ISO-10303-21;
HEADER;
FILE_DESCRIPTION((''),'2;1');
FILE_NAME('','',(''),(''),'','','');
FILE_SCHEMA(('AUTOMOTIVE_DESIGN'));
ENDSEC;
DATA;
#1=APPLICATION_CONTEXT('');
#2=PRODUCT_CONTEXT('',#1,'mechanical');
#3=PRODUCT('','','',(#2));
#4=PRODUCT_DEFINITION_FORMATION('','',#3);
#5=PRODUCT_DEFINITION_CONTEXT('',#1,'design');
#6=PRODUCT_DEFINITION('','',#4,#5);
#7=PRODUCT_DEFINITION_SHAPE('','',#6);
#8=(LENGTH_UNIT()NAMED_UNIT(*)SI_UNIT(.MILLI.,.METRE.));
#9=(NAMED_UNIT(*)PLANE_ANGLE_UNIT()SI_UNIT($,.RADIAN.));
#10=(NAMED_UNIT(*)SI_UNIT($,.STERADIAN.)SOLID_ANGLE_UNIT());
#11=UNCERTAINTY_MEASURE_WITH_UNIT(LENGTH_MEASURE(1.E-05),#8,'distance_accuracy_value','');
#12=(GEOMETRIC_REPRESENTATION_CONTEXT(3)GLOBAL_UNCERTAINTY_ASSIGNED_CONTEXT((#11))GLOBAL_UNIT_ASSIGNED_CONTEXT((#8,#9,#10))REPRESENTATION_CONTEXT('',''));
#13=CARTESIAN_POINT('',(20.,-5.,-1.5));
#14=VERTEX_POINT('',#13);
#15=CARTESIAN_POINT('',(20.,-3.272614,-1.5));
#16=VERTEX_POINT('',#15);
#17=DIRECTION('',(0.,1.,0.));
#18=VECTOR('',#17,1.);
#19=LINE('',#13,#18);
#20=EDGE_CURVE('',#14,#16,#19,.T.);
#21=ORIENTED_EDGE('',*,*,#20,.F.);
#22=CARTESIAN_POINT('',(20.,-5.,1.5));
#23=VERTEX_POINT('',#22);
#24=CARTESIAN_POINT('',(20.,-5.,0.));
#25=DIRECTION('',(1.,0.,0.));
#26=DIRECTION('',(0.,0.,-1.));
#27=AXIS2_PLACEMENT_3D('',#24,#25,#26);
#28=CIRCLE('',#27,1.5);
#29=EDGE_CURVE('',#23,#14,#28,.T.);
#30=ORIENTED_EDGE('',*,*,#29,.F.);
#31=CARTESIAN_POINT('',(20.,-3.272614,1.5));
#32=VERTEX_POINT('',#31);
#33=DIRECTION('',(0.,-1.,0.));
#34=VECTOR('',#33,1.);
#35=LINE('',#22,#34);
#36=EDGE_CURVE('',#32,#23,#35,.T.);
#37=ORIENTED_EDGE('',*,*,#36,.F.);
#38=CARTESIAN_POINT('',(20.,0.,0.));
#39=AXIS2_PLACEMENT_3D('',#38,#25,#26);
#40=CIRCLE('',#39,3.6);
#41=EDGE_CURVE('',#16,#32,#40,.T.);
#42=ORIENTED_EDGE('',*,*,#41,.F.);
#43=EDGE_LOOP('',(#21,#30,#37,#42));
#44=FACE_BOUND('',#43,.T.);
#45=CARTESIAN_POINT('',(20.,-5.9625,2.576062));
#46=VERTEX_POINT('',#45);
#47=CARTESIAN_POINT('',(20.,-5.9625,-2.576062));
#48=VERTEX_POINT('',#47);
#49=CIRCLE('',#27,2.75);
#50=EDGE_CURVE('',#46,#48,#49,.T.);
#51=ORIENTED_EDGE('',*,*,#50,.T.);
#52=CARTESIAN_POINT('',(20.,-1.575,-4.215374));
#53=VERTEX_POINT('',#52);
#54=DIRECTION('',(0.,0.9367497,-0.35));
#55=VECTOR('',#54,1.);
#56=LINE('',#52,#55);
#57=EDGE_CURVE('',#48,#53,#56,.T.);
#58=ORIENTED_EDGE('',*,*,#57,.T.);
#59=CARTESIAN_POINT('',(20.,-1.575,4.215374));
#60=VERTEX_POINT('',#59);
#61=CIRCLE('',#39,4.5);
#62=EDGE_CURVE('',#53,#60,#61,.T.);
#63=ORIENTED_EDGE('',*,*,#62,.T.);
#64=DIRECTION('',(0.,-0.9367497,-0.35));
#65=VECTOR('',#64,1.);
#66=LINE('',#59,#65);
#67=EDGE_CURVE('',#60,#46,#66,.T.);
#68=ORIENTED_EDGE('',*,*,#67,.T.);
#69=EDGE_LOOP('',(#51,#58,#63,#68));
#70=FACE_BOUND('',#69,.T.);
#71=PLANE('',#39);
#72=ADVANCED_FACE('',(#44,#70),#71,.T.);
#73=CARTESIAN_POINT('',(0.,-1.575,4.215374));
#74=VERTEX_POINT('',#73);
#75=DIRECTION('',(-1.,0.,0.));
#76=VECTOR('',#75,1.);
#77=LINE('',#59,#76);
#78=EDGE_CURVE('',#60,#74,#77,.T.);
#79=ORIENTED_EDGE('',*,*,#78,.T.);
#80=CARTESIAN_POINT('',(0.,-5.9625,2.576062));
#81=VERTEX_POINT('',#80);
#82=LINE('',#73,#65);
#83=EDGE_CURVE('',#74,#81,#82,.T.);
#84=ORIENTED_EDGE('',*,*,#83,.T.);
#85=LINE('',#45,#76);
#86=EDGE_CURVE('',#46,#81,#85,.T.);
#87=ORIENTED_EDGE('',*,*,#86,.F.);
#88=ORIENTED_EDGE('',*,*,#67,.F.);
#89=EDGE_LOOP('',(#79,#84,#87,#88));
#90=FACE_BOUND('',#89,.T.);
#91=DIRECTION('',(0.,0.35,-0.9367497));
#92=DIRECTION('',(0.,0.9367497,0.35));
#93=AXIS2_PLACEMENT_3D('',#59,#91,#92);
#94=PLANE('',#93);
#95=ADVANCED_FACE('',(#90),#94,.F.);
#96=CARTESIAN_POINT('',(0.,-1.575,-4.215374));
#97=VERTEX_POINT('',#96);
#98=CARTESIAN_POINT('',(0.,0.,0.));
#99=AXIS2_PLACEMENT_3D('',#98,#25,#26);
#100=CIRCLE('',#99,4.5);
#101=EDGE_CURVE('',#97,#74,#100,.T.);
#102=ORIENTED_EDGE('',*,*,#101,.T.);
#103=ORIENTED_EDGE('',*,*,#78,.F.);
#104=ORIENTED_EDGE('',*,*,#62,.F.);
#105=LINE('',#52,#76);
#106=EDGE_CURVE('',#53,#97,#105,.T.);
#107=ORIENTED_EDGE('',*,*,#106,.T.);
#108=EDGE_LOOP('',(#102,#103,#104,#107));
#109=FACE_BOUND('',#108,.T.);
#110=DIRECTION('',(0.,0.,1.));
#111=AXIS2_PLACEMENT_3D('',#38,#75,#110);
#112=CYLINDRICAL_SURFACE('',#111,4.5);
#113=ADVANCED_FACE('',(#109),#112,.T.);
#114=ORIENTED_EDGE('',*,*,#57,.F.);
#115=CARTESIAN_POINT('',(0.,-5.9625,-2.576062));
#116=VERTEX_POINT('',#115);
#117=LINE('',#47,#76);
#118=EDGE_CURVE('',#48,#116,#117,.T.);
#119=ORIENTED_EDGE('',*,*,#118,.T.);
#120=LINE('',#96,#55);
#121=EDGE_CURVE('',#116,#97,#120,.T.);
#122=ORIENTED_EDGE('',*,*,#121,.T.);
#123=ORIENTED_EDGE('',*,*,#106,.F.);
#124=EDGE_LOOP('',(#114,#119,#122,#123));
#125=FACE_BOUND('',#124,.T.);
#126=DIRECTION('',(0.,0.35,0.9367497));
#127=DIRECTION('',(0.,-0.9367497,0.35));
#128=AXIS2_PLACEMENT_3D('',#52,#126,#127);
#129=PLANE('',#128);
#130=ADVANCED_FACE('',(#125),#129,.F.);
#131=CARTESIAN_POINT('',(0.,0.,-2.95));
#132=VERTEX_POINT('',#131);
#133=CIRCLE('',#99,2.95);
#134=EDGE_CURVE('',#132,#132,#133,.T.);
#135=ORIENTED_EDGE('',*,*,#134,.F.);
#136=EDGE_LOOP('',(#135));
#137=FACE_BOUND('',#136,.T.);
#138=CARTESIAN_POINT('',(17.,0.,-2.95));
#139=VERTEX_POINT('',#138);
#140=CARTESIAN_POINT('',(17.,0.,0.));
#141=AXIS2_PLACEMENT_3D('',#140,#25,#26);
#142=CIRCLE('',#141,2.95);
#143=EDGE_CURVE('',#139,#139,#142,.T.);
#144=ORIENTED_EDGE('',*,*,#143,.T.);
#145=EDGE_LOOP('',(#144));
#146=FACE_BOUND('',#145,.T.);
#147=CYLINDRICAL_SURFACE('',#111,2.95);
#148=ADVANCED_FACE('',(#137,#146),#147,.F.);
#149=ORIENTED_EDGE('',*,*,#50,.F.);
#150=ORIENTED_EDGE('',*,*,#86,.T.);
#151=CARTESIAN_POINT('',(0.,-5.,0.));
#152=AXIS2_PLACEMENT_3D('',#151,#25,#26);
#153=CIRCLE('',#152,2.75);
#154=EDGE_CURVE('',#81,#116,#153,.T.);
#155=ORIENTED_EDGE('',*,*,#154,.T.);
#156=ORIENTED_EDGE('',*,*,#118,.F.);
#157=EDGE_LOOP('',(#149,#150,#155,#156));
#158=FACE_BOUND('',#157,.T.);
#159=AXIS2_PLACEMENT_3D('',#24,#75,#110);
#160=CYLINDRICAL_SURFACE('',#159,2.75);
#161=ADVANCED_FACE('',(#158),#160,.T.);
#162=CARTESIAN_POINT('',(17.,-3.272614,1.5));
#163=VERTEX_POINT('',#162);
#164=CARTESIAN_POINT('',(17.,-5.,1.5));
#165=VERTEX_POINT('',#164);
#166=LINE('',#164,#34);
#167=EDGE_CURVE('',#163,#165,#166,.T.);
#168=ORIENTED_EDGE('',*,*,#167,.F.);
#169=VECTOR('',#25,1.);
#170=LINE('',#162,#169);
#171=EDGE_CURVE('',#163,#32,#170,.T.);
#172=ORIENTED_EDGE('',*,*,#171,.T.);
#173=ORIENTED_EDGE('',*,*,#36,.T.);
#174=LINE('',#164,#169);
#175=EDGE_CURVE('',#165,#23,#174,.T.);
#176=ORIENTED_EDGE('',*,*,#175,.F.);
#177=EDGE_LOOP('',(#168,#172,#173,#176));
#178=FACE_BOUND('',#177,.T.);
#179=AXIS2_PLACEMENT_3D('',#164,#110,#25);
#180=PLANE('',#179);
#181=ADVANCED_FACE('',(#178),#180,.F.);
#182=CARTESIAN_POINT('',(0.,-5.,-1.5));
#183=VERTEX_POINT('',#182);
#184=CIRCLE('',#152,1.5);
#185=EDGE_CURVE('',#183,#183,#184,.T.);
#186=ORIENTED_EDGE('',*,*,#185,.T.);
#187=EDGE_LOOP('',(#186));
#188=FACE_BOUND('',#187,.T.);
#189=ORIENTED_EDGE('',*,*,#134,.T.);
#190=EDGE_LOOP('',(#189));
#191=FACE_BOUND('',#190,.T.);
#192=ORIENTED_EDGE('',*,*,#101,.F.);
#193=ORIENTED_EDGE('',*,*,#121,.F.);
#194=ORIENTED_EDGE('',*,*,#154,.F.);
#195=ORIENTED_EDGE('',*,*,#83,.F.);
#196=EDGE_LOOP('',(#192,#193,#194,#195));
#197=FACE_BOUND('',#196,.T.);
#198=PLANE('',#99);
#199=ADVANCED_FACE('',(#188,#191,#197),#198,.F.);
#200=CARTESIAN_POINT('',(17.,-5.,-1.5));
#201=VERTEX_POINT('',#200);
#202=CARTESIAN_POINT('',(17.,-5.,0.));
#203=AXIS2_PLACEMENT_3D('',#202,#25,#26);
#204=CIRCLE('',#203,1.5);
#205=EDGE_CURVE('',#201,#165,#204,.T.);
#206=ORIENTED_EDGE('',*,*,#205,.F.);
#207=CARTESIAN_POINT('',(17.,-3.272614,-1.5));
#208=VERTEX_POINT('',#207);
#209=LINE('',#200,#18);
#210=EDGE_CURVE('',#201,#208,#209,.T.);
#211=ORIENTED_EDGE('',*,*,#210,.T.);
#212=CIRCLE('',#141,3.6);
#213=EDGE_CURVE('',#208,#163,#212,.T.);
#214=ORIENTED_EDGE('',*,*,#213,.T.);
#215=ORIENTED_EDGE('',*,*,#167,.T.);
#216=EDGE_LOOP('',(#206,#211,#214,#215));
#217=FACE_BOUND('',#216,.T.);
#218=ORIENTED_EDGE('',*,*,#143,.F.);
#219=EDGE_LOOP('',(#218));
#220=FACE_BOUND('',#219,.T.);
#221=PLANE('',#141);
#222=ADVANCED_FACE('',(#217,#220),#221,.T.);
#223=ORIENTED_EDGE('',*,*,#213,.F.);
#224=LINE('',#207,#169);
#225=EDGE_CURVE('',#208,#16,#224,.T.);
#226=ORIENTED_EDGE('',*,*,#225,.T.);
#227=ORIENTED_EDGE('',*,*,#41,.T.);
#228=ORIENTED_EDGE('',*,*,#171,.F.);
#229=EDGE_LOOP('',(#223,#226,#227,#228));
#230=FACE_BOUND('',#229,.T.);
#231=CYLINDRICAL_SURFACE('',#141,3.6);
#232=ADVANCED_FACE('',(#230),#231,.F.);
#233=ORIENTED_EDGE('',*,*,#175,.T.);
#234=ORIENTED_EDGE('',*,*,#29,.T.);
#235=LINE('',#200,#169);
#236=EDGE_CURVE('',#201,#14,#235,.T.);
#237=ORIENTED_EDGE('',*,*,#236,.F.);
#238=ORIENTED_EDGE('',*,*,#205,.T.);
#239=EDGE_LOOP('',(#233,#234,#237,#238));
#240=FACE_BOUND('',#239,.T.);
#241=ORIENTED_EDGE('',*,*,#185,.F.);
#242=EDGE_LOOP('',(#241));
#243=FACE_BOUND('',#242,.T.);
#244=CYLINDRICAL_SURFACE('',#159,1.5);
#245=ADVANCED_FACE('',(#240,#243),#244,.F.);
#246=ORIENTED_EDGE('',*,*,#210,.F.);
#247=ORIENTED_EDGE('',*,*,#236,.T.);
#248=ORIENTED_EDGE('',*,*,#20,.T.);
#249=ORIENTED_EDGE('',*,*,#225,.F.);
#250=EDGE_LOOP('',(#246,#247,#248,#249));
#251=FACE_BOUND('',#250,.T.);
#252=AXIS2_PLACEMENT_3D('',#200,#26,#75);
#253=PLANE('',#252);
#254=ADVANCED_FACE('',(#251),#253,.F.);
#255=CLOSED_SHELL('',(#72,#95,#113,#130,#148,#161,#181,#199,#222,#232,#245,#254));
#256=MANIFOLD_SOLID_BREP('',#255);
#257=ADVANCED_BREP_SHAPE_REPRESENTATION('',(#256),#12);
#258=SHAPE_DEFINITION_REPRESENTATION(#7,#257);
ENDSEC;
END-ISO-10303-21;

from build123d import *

# Parameters (mm, degrees)
SKETCH_1_R          = 2.95
SKETCH_1_R_2        = 1.5
EXTRUDE_1_DEPTH     = 20
CUT_EXTRUDE_1_DEPTH = 3


with BuildPart() as part:
    # Эскиз1 → Бобышка-Вытянуть1 (new body)
    with BuildSketch(Plane(origin=(0, 0, 0), x_dir=(0, 0, -1), z_dir=(1, 0, 0))):
        with BuildLine():
            Line((-4.215373649, -1.575), (-2.576061674, -5.9625))
            ThreePointArc((-2.576061674, -5.9625), (0, -7.75), (2.576061674, -5.9625))
            Line((2.576061674, -5.9625), (4.215373649, -1.575))
            ThreePointArc((4.215373649, -1.575), (0, 4.5), (-4.215373649, -1.575))
        make_face()
        Circle(SKETCH_1_R, mode=Mode.SUBTRACT)
        with Locations((0, -5)):
            Circle(SKETCH_1_R_2, mode=Mode.SUBTRACT)
    extrude(amount=EXTRUDE_1_DEPTH)

    # Эскиз2 → Вырез-Вытянуть1 (cut)
    with BuildSketch(Plane(origin=(20, 0, 0), x_dir=(0, 0, -1), z_dir=(1, 0, 0))):
        with BuildLine():
            Line((-1.5, -5), (1.5, -5))
            Line((1.5, -5), (1.5, -3.272613634))
            ThreePointArc((1.5, -3.272613634), (0, 3.6), (-1.5, -3.272613634))
            Line((-1.5, -3.272613634), (-1.5, -5))
        make_face()
    extrude(amount=-CUT_EXTRUDE_1_DEPTH, mode=Mode.SUBTRACT)


solid = part.part
